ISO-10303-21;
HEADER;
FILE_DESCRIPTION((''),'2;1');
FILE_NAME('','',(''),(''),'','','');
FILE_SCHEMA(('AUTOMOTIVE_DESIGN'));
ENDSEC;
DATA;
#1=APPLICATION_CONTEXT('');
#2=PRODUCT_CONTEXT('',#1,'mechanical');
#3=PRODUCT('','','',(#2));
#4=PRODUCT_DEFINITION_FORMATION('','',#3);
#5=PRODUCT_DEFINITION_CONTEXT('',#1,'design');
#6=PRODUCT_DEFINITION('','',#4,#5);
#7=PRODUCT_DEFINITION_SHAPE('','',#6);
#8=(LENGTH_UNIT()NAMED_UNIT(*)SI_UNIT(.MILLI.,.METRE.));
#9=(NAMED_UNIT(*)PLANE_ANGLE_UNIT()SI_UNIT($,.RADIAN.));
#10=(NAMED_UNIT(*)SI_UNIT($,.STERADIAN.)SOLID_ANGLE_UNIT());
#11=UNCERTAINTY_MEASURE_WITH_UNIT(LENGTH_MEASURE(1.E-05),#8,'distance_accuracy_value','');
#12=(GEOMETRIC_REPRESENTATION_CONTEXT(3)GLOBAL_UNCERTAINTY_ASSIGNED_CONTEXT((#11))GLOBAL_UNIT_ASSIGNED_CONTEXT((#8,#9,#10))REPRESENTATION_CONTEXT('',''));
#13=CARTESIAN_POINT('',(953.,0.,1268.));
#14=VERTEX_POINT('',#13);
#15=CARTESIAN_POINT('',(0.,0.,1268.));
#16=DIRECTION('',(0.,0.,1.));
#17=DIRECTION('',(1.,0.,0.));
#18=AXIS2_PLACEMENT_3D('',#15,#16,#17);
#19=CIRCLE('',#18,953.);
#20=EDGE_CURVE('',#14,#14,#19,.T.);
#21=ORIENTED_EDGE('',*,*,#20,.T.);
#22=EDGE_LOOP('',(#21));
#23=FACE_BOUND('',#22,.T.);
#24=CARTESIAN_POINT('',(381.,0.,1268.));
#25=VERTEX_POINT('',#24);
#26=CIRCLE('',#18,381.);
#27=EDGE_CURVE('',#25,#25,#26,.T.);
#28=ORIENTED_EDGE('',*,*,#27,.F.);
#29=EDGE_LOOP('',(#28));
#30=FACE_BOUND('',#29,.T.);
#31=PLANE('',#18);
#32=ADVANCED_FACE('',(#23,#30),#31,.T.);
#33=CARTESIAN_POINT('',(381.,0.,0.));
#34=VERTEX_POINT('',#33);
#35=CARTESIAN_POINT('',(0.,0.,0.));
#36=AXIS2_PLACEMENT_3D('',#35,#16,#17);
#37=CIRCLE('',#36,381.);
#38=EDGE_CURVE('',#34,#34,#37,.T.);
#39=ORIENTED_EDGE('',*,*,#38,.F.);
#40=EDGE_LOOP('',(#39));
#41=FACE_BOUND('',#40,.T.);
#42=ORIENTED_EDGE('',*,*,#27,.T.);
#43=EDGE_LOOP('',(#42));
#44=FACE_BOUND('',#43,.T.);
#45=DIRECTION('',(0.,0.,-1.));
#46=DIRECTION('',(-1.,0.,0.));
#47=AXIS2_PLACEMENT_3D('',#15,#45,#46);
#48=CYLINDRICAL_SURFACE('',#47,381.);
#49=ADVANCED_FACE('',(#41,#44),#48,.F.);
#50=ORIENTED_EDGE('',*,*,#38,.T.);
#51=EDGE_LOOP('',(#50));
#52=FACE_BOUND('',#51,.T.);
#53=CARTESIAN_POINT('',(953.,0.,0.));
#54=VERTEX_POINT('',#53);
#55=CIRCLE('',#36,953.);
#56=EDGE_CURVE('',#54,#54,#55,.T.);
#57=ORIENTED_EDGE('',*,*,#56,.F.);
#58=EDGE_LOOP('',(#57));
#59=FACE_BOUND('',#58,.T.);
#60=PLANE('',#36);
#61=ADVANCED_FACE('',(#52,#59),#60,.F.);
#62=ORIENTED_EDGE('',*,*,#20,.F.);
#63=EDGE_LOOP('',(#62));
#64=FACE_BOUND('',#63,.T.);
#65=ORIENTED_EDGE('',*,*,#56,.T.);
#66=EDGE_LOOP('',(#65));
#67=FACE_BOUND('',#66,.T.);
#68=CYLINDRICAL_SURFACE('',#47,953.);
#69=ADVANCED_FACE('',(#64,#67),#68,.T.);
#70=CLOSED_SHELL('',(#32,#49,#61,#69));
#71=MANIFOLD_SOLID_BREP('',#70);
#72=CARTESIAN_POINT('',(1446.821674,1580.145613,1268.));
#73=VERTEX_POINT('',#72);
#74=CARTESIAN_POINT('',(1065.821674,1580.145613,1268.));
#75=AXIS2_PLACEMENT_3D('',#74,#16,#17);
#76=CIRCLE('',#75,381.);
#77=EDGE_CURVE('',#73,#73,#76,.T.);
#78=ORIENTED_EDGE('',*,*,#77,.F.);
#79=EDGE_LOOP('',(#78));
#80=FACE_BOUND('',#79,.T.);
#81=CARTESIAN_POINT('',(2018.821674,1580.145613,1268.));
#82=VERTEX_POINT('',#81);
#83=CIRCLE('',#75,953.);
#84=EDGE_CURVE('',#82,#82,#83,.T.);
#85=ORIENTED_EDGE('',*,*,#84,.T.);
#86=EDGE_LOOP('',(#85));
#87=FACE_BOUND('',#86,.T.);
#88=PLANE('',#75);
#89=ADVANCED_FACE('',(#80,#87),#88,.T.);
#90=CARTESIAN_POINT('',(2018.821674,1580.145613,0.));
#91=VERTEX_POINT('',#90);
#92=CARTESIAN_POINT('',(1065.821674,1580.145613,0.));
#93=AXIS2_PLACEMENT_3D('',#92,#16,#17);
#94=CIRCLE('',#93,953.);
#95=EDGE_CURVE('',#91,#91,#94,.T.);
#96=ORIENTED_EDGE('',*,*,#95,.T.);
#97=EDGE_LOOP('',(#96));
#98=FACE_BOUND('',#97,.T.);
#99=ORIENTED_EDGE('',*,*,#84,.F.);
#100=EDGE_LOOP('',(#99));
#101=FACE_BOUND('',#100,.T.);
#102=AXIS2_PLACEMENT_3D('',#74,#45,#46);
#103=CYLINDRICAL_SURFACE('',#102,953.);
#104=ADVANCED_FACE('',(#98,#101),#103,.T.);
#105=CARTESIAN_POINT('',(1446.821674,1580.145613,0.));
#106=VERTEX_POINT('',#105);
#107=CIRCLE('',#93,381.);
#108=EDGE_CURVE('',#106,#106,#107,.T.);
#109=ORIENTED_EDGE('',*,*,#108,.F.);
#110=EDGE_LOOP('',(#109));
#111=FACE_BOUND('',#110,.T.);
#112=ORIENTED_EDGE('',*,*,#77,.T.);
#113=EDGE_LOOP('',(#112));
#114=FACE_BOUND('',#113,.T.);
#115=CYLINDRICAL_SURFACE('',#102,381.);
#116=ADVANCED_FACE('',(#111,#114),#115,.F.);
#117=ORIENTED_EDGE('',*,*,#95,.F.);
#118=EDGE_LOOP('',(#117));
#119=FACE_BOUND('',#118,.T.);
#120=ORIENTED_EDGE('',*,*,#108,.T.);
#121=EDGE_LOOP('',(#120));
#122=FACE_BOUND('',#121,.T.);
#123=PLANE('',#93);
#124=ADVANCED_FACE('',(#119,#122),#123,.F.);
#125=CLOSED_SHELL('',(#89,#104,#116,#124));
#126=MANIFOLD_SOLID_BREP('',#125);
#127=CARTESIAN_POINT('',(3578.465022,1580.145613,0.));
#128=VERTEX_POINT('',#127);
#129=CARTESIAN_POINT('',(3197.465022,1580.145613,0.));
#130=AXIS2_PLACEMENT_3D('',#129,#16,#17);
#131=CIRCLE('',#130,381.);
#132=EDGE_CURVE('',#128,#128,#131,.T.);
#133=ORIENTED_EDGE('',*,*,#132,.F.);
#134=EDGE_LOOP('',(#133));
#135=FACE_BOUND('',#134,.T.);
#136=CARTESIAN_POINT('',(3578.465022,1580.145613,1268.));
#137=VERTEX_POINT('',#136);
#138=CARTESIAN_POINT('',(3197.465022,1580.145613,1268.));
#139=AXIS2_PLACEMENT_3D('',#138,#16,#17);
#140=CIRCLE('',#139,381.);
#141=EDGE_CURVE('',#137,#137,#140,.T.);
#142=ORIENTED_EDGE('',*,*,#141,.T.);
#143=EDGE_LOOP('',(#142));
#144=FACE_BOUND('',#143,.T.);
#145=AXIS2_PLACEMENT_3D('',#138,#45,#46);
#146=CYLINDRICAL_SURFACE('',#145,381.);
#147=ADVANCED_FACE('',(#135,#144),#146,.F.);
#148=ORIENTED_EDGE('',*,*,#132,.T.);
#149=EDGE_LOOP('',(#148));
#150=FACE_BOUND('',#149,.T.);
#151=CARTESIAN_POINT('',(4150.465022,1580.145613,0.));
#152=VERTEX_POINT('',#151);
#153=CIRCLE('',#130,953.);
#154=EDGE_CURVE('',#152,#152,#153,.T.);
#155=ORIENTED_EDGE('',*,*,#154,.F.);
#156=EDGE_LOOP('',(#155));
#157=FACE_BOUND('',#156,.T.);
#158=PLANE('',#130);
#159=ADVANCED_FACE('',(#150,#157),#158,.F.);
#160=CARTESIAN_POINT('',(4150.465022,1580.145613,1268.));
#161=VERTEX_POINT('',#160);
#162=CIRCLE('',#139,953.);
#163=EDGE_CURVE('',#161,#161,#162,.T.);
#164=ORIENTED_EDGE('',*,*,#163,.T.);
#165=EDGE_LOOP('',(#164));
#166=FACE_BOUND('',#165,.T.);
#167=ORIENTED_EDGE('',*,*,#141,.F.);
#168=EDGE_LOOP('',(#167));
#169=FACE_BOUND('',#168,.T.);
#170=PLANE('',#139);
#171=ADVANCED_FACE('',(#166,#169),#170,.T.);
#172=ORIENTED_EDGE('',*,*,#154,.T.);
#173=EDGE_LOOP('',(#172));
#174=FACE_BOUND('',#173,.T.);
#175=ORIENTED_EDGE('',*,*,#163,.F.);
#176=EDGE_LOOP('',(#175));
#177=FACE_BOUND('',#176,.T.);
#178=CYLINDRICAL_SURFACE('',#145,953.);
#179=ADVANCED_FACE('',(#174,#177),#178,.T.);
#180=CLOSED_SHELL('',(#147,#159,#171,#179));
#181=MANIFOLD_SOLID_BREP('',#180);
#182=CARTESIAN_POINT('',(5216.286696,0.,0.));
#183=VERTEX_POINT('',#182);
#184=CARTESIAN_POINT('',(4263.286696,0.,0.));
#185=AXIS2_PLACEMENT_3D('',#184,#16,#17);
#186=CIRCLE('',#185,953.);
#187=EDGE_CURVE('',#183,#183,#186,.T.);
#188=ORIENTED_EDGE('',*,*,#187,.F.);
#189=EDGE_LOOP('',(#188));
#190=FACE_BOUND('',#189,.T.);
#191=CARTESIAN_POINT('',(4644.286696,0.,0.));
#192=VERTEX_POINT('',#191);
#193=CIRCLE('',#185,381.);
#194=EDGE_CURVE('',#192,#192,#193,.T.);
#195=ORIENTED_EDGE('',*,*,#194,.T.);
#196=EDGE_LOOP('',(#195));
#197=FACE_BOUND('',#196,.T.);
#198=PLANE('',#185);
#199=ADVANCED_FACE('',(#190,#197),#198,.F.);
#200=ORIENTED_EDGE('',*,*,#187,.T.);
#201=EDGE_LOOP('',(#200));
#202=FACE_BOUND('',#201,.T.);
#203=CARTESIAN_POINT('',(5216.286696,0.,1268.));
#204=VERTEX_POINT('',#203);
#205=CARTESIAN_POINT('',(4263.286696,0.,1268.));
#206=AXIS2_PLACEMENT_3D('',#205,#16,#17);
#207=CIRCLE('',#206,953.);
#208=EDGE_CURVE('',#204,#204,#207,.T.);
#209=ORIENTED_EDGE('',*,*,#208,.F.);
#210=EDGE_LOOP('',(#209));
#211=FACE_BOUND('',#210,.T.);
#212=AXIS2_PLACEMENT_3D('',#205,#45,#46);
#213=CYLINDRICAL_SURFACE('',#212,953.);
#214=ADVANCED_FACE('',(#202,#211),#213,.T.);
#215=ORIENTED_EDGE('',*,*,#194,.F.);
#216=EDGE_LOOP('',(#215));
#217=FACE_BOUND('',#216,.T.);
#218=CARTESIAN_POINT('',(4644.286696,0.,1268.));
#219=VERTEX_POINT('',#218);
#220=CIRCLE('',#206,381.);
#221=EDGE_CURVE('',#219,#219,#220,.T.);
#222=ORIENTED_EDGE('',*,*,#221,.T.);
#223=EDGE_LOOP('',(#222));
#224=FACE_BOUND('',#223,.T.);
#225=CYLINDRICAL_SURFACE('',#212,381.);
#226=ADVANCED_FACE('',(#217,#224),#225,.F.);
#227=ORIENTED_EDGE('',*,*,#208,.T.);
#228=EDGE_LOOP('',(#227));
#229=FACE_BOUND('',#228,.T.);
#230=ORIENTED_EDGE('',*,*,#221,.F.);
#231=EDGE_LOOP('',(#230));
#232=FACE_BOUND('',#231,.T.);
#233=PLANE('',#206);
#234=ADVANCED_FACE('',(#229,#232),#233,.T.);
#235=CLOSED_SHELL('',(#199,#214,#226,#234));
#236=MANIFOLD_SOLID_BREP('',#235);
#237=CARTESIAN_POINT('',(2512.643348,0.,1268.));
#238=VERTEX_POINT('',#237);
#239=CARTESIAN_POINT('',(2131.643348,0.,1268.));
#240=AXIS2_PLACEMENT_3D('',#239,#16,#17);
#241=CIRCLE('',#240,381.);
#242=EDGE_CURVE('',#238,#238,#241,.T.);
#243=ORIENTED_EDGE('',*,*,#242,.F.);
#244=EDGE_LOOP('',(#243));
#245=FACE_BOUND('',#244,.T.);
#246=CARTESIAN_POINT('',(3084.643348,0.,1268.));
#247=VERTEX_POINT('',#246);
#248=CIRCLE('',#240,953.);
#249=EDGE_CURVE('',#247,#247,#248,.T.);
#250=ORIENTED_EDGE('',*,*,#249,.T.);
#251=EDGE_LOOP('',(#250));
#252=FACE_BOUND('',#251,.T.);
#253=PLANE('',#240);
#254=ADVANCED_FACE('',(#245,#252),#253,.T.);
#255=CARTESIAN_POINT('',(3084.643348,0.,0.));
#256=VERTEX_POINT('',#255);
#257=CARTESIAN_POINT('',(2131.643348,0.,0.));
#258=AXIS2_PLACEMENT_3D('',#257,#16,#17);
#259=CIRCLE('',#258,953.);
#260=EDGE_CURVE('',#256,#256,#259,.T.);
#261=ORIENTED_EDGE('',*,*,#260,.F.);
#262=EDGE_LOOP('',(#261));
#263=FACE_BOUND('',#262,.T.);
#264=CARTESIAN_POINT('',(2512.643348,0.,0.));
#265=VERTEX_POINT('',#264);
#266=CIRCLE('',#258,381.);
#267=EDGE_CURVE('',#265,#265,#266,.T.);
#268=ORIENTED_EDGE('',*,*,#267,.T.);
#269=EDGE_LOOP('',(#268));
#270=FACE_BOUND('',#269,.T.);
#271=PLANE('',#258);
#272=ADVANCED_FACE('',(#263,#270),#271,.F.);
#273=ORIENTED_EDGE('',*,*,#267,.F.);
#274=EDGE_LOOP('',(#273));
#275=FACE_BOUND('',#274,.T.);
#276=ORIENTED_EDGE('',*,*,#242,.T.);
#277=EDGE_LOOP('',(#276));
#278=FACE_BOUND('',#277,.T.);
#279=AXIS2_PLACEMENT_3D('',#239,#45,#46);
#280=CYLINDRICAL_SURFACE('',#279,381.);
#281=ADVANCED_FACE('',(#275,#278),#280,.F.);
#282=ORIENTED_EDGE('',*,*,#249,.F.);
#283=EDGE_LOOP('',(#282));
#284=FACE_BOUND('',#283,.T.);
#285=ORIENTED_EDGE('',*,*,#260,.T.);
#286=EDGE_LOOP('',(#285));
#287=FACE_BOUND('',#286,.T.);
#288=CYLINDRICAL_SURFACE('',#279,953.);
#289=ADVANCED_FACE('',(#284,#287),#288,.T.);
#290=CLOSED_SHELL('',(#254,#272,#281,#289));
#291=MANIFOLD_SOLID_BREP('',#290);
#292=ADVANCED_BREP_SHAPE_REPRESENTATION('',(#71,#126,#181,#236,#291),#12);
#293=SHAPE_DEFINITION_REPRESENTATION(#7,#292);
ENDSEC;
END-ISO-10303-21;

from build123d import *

# Parameters (mm, degrees)
SZKIC1_R                      = 953
SZKIC1_R_2                    = 381
DODANIE_WYCI_GNI_CIE2_DEPTH   = 1268
DODANIE_WYCI_GNI_CIE2_2_DEPTH = 1268
DODANIE_WYCI_GNI_CIE2_3_DEPTH = 1268
DODANIE_WYCI_GNI_CIE2_4_DEPTH = 1268
DODANIE_WYCI_GNI_CIE2_5_DEPTH = 1268


with BuildPart() as part:
    # Szkic1 → Dodanie-wyciągnięcie2 (new body)
    with BuildSketch(Plane.XY):
        Circle(SZKIC1_R)
        Circle(SZKIC1_R_2, mode=Mode.SUBTRACT)
    extrude(amount=DODANIE_WYCI_GNI_CIE2_DEPTH)


with BuildPart() as body_2:
    # Szkic1 → Dodanie-wyci_gni_cie2 2 (new body)
    with BuildSketch(Plane.XY):
        with Locations((2131.64334803, 0)):
            Circle(SZKIC1_R)
        with Locations((2131.64334803, 0)):
            Circle(SZKIC1_R_2, mode=Mode.SUBTRACT)
    extrude(amount=DODANIE_WYCI_GNI_CIE2_2_DEPTH)


with BuildPart() as body_3:
    # Szkic1 → Dodanie-wyci_gni_cie2 3 (new body)
    with BuildSketch(Plane.XY):
        with Locations((4263.286696061, 0)):
            Circle(SZKIC1_R)
        with Locations((4263.286696061, 0)):
            Circle(SZKIC1_R_2, mode=Mode.SUBTRACT)
    extrude(amount=DODANIE_WYCI_GNI_CIE2_3_DEPTH)


with BuildPart() as body_4:
    # Szkic1 → Dodanie-wyci_gni_cie2 4 (new body)
    with BuildSketch(Plane.XY):
        with Locations((3197.465022046, 1580.14561329)):
            Circle(SZKIC1_R)
        with Locations((3197.465022046, 1580.14561329)):
            Circle(SZKIC1_R_2, mode=Mode.SUBTRACT)
    extrude(amount=DODANIE_WYCI_GNI_CIE2_4_DEPTH)


with BuildPart() as body_5:
    # Szkic1 → Dodanie-wyci_gni_cie2 5 (new body)
    with BuildSketch(Plane.XY):
        with Locations((1065.821674015, 1580.14561329)):
            Circle(SZKIC1_R)
        with Locations((1065.821674015, 1580.14561329)):
            Circle(SZKIC1_R_2, mode=Mode.SUBTRACT)
    extrude(amount=DODANIE_WYCI_GNI_CIE2_5_DEPTH)


solid = Compound([part.part, body_2.part, body_3.part, body_4.part, body_5.part])
